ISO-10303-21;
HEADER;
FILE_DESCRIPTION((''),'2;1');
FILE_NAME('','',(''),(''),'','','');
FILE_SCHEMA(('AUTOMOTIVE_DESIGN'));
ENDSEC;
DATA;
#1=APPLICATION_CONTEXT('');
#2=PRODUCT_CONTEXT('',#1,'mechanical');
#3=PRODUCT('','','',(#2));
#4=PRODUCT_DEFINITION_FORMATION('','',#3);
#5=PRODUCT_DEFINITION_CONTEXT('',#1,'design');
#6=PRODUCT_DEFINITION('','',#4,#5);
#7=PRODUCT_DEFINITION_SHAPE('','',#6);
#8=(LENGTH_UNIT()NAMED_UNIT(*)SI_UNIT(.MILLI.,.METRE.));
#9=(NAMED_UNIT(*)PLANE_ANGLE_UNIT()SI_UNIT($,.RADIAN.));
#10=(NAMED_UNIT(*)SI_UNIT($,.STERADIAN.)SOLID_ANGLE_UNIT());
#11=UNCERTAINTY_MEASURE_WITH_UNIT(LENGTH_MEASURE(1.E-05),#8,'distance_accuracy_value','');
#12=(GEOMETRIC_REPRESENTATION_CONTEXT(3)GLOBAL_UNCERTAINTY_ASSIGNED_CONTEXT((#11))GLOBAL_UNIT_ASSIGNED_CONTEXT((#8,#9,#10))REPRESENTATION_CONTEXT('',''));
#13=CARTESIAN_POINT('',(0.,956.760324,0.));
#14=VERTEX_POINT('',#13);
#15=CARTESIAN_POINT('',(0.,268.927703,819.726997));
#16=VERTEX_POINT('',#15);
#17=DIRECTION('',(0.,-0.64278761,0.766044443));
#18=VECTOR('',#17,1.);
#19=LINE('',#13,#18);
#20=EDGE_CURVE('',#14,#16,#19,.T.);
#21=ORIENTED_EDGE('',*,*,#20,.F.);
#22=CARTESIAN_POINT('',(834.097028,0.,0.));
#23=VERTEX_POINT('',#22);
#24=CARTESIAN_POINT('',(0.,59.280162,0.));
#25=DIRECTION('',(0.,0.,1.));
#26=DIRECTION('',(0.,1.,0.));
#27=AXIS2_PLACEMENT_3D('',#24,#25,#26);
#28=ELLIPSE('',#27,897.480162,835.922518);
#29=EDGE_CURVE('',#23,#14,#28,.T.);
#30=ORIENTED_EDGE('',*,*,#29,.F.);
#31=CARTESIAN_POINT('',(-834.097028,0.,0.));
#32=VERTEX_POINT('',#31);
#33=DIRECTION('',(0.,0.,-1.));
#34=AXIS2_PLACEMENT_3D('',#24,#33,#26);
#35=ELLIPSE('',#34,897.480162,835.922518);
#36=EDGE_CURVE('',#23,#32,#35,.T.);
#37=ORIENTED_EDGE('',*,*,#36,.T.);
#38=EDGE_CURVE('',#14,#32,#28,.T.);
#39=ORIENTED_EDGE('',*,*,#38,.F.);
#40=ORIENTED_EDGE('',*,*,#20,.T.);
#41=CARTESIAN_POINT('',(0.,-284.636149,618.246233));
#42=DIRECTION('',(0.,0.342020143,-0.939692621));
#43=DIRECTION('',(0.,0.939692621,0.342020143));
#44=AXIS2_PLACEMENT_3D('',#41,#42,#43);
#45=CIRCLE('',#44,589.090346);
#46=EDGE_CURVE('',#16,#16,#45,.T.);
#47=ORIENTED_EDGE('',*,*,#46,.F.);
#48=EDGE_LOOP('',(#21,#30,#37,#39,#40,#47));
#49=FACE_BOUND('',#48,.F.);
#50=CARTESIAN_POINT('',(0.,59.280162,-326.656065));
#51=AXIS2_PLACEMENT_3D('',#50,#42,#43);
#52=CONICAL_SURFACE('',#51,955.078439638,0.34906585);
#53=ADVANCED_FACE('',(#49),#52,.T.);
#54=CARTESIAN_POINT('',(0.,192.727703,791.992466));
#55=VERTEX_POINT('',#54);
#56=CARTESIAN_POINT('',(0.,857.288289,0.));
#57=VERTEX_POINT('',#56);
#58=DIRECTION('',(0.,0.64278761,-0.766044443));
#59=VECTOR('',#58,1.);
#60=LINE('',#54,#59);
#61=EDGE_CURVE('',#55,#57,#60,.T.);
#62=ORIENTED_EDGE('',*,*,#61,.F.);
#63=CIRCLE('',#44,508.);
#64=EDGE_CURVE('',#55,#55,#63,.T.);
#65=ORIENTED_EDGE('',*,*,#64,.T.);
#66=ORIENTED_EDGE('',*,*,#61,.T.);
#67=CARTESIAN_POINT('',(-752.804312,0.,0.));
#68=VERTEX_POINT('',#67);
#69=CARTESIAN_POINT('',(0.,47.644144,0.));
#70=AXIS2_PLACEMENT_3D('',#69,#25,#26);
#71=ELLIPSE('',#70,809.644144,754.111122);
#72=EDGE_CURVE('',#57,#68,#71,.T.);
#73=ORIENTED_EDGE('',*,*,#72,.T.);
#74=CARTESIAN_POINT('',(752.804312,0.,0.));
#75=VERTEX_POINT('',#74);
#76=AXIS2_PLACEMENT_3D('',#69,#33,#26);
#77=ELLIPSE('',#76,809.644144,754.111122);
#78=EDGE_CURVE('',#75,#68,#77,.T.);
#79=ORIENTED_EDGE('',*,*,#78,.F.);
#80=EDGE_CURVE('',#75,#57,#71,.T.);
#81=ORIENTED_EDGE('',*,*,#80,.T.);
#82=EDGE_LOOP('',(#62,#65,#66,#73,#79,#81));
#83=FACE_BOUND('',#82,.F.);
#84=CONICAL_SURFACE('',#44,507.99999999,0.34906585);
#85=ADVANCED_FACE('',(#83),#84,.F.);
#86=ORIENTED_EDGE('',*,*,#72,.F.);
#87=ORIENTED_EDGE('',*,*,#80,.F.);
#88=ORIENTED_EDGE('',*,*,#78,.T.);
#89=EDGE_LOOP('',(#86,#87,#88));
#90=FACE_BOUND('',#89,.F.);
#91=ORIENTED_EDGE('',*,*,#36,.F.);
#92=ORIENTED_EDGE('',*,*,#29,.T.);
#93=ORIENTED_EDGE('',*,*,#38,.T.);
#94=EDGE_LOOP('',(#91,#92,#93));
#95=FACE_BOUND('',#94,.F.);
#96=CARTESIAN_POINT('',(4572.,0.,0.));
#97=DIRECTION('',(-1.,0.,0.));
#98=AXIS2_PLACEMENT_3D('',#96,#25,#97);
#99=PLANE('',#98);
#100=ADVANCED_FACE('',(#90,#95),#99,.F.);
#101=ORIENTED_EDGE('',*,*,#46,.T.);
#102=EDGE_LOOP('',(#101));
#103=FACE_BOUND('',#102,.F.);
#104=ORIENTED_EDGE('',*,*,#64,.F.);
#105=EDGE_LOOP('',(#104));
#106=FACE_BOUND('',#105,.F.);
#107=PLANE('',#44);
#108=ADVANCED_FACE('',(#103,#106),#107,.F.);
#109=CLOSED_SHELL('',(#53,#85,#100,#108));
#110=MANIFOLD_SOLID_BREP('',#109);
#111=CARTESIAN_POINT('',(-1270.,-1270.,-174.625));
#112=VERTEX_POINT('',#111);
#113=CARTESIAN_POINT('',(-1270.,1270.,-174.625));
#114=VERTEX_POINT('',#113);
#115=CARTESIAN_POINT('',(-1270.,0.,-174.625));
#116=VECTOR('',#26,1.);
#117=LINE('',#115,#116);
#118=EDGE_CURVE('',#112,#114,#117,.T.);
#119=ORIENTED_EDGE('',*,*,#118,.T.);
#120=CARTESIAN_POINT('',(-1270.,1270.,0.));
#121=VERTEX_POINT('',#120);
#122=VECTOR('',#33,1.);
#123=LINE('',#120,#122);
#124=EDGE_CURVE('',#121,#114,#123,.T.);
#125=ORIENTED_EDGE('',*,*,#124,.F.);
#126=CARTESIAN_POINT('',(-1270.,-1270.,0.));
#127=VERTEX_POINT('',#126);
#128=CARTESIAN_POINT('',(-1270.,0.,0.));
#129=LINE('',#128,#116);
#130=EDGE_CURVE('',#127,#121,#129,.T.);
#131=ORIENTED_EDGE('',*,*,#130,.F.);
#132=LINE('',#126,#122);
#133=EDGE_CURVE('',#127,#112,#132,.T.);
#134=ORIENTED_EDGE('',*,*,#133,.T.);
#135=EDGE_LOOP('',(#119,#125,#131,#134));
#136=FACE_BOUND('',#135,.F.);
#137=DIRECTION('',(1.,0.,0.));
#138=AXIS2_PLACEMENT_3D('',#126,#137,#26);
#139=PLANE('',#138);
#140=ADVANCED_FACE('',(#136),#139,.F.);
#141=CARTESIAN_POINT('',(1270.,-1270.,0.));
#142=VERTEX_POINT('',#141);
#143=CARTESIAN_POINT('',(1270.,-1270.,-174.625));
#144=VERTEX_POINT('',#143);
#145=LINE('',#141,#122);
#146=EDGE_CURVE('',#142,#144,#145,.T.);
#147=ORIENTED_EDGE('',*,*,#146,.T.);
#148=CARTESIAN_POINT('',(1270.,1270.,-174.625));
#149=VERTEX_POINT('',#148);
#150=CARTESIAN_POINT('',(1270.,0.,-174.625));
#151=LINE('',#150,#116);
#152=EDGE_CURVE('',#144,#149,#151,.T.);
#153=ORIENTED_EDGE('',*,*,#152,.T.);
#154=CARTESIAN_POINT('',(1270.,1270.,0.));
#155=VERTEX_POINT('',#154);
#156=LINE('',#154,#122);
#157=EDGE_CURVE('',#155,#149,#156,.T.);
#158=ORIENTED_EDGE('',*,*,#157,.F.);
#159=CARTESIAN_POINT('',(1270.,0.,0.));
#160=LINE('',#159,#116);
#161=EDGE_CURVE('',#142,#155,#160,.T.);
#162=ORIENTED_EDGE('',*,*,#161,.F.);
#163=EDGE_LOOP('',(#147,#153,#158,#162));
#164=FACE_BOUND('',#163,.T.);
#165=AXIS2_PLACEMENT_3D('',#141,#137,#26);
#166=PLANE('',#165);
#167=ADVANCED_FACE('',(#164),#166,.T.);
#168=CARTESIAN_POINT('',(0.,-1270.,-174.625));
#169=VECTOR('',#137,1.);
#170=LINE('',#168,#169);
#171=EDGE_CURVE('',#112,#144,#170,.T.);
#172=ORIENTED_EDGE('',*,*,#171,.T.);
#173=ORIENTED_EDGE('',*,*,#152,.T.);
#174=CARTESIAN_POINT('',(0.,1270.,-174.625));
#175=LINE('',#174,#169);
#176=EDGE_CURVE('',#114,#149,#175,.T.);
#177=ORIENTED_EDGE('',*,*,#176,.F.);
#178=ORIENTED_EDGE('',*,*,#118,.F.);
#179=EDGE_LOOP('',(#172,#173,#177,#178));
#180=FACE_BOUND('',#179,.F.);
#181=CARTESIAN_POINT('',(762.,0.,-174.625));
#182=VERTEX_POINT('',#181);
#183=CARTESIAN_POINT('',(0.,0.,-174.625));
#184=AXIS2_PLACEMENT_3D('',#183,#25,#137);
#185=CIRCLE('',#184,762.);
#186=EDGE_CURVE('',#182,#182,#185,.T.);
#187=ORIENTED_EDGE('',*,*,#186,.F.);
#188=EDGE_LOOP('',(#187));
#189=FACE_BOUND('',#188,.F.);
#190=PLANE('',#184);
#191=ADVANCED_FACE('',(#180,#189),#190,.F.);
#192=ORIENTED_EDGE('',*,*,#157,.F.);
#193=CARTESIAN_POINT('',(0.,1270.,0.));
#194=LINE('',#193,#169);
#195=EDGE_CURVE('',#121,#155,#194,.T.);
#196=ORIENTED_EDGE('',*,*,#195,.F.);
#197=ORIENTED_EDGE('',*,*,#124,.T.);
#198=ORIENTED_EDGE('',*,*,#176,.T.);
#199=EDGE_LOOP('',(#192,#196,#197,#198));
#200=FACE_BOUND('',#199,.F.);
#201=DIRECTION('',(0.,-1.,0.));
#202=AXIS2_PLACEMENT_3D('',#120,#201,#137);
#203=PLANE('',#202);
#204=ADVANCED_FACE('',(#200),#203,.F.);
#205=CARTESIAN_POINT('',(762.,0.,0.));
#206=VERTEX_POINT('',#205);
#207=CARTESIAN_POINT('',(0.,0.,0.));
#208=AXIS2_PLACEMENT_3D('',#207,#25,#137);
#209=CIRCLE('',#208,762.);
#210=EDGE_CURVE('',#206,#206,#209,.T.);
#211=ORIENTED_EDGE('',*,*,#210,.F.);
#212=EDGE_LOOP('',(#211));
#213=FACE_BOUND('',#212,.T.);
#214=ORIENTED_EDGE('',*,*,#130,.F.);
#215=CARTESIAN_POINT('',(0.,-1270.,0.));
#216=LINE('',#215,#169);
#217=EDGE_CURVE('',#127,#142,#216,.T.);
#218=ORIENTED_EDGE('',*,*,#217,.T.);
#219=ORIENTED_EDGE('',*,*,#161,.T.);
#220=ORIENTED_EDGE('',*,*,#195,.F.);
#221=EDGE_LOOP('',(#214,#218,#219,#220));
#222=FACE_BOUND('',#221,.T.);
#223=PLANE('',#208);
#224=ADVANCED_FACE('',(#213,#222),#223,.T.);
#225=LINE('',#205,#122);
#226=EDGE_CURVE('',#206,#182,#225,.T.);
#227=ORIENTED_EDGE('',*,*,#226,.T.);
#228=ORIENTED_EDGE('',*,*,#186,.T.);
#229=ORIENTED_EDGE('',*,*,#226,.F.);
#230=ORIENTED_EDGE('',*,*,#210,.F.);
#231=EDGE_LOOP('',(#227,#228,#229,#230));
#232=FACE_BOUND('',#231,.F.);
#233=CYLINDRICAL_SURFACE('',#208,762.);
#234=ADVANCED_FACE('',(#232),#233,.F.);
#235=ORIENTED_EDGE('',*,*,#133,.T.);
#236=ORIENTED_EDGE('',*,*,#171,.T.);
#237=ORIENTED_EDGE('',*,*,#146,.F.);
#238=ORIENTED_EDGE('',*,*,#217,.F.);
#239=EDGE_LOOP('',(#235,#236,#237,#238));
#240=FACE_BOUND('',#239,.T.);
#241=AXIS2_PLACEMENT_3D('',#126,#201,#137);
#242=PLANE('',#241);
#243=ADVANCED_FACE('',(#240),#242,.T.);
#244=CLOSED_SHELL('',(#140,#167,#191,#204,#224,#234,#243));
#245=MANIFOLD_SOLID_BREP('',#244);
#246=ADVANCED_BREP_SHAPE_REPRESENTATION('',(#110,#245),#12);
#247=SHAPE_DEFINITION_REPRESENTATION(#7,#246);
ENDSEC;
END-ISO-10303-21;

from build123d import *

# Parameters (mm, degrees)
F8_DEPTH      = 956.7613239616
F8_DEPTH_BACK = 838.201
F9_W          = 2540
F9_H          = 2540
F9_R          = 762
F10_DEPTH     = 174.625


with BuildPart() as f6:
    # F5 (on Right) → F6 (revolve)
    with BuildSketch(Plane.YZ):
        Polygon((207.6453230735, 797.4220353942), (192.7277027185, 791.9924656189), (478.4467952241, 451.4857106525), (857.2882885145, 0), (956.7603239616, 0), (536.8193817898, 500.4661265106), (268.9277027185, 819.72699747), align=None)
    revolve(axis=Axis((0, -172.1245355458, 309.1231164047), (0, 0.3420201433, -0.9396926208)))

    # F7 (on Front) → F8 (cut, two sides)
    with BuildSketch(Plane.XZ) as f8_sk:
        Polygon((762, 0), (-762, 0), (-3048, 0), (-3048, -2540), (4572, -2540), (4572, 0), align=None)
    extrude(amount=-F8_DEPTH, mode=Mode.SUBTRACT)
    extrude(f8_sk.sketch, amount=F8_DEPTH_BACK, mode=Mode.SUBTRACT)


with BuildPart() as f10:
    # F9 (on Top) → F10 (new body)
    with BuildSketch(Plane.XY):
        Rectangle(F9_W, F9_H)
        Circle(F9_R, mode=Mode.SUBTRACT)
    extrude(amount=-F10_DEPTH)


solid = Compound([f6.part, f10.part])
